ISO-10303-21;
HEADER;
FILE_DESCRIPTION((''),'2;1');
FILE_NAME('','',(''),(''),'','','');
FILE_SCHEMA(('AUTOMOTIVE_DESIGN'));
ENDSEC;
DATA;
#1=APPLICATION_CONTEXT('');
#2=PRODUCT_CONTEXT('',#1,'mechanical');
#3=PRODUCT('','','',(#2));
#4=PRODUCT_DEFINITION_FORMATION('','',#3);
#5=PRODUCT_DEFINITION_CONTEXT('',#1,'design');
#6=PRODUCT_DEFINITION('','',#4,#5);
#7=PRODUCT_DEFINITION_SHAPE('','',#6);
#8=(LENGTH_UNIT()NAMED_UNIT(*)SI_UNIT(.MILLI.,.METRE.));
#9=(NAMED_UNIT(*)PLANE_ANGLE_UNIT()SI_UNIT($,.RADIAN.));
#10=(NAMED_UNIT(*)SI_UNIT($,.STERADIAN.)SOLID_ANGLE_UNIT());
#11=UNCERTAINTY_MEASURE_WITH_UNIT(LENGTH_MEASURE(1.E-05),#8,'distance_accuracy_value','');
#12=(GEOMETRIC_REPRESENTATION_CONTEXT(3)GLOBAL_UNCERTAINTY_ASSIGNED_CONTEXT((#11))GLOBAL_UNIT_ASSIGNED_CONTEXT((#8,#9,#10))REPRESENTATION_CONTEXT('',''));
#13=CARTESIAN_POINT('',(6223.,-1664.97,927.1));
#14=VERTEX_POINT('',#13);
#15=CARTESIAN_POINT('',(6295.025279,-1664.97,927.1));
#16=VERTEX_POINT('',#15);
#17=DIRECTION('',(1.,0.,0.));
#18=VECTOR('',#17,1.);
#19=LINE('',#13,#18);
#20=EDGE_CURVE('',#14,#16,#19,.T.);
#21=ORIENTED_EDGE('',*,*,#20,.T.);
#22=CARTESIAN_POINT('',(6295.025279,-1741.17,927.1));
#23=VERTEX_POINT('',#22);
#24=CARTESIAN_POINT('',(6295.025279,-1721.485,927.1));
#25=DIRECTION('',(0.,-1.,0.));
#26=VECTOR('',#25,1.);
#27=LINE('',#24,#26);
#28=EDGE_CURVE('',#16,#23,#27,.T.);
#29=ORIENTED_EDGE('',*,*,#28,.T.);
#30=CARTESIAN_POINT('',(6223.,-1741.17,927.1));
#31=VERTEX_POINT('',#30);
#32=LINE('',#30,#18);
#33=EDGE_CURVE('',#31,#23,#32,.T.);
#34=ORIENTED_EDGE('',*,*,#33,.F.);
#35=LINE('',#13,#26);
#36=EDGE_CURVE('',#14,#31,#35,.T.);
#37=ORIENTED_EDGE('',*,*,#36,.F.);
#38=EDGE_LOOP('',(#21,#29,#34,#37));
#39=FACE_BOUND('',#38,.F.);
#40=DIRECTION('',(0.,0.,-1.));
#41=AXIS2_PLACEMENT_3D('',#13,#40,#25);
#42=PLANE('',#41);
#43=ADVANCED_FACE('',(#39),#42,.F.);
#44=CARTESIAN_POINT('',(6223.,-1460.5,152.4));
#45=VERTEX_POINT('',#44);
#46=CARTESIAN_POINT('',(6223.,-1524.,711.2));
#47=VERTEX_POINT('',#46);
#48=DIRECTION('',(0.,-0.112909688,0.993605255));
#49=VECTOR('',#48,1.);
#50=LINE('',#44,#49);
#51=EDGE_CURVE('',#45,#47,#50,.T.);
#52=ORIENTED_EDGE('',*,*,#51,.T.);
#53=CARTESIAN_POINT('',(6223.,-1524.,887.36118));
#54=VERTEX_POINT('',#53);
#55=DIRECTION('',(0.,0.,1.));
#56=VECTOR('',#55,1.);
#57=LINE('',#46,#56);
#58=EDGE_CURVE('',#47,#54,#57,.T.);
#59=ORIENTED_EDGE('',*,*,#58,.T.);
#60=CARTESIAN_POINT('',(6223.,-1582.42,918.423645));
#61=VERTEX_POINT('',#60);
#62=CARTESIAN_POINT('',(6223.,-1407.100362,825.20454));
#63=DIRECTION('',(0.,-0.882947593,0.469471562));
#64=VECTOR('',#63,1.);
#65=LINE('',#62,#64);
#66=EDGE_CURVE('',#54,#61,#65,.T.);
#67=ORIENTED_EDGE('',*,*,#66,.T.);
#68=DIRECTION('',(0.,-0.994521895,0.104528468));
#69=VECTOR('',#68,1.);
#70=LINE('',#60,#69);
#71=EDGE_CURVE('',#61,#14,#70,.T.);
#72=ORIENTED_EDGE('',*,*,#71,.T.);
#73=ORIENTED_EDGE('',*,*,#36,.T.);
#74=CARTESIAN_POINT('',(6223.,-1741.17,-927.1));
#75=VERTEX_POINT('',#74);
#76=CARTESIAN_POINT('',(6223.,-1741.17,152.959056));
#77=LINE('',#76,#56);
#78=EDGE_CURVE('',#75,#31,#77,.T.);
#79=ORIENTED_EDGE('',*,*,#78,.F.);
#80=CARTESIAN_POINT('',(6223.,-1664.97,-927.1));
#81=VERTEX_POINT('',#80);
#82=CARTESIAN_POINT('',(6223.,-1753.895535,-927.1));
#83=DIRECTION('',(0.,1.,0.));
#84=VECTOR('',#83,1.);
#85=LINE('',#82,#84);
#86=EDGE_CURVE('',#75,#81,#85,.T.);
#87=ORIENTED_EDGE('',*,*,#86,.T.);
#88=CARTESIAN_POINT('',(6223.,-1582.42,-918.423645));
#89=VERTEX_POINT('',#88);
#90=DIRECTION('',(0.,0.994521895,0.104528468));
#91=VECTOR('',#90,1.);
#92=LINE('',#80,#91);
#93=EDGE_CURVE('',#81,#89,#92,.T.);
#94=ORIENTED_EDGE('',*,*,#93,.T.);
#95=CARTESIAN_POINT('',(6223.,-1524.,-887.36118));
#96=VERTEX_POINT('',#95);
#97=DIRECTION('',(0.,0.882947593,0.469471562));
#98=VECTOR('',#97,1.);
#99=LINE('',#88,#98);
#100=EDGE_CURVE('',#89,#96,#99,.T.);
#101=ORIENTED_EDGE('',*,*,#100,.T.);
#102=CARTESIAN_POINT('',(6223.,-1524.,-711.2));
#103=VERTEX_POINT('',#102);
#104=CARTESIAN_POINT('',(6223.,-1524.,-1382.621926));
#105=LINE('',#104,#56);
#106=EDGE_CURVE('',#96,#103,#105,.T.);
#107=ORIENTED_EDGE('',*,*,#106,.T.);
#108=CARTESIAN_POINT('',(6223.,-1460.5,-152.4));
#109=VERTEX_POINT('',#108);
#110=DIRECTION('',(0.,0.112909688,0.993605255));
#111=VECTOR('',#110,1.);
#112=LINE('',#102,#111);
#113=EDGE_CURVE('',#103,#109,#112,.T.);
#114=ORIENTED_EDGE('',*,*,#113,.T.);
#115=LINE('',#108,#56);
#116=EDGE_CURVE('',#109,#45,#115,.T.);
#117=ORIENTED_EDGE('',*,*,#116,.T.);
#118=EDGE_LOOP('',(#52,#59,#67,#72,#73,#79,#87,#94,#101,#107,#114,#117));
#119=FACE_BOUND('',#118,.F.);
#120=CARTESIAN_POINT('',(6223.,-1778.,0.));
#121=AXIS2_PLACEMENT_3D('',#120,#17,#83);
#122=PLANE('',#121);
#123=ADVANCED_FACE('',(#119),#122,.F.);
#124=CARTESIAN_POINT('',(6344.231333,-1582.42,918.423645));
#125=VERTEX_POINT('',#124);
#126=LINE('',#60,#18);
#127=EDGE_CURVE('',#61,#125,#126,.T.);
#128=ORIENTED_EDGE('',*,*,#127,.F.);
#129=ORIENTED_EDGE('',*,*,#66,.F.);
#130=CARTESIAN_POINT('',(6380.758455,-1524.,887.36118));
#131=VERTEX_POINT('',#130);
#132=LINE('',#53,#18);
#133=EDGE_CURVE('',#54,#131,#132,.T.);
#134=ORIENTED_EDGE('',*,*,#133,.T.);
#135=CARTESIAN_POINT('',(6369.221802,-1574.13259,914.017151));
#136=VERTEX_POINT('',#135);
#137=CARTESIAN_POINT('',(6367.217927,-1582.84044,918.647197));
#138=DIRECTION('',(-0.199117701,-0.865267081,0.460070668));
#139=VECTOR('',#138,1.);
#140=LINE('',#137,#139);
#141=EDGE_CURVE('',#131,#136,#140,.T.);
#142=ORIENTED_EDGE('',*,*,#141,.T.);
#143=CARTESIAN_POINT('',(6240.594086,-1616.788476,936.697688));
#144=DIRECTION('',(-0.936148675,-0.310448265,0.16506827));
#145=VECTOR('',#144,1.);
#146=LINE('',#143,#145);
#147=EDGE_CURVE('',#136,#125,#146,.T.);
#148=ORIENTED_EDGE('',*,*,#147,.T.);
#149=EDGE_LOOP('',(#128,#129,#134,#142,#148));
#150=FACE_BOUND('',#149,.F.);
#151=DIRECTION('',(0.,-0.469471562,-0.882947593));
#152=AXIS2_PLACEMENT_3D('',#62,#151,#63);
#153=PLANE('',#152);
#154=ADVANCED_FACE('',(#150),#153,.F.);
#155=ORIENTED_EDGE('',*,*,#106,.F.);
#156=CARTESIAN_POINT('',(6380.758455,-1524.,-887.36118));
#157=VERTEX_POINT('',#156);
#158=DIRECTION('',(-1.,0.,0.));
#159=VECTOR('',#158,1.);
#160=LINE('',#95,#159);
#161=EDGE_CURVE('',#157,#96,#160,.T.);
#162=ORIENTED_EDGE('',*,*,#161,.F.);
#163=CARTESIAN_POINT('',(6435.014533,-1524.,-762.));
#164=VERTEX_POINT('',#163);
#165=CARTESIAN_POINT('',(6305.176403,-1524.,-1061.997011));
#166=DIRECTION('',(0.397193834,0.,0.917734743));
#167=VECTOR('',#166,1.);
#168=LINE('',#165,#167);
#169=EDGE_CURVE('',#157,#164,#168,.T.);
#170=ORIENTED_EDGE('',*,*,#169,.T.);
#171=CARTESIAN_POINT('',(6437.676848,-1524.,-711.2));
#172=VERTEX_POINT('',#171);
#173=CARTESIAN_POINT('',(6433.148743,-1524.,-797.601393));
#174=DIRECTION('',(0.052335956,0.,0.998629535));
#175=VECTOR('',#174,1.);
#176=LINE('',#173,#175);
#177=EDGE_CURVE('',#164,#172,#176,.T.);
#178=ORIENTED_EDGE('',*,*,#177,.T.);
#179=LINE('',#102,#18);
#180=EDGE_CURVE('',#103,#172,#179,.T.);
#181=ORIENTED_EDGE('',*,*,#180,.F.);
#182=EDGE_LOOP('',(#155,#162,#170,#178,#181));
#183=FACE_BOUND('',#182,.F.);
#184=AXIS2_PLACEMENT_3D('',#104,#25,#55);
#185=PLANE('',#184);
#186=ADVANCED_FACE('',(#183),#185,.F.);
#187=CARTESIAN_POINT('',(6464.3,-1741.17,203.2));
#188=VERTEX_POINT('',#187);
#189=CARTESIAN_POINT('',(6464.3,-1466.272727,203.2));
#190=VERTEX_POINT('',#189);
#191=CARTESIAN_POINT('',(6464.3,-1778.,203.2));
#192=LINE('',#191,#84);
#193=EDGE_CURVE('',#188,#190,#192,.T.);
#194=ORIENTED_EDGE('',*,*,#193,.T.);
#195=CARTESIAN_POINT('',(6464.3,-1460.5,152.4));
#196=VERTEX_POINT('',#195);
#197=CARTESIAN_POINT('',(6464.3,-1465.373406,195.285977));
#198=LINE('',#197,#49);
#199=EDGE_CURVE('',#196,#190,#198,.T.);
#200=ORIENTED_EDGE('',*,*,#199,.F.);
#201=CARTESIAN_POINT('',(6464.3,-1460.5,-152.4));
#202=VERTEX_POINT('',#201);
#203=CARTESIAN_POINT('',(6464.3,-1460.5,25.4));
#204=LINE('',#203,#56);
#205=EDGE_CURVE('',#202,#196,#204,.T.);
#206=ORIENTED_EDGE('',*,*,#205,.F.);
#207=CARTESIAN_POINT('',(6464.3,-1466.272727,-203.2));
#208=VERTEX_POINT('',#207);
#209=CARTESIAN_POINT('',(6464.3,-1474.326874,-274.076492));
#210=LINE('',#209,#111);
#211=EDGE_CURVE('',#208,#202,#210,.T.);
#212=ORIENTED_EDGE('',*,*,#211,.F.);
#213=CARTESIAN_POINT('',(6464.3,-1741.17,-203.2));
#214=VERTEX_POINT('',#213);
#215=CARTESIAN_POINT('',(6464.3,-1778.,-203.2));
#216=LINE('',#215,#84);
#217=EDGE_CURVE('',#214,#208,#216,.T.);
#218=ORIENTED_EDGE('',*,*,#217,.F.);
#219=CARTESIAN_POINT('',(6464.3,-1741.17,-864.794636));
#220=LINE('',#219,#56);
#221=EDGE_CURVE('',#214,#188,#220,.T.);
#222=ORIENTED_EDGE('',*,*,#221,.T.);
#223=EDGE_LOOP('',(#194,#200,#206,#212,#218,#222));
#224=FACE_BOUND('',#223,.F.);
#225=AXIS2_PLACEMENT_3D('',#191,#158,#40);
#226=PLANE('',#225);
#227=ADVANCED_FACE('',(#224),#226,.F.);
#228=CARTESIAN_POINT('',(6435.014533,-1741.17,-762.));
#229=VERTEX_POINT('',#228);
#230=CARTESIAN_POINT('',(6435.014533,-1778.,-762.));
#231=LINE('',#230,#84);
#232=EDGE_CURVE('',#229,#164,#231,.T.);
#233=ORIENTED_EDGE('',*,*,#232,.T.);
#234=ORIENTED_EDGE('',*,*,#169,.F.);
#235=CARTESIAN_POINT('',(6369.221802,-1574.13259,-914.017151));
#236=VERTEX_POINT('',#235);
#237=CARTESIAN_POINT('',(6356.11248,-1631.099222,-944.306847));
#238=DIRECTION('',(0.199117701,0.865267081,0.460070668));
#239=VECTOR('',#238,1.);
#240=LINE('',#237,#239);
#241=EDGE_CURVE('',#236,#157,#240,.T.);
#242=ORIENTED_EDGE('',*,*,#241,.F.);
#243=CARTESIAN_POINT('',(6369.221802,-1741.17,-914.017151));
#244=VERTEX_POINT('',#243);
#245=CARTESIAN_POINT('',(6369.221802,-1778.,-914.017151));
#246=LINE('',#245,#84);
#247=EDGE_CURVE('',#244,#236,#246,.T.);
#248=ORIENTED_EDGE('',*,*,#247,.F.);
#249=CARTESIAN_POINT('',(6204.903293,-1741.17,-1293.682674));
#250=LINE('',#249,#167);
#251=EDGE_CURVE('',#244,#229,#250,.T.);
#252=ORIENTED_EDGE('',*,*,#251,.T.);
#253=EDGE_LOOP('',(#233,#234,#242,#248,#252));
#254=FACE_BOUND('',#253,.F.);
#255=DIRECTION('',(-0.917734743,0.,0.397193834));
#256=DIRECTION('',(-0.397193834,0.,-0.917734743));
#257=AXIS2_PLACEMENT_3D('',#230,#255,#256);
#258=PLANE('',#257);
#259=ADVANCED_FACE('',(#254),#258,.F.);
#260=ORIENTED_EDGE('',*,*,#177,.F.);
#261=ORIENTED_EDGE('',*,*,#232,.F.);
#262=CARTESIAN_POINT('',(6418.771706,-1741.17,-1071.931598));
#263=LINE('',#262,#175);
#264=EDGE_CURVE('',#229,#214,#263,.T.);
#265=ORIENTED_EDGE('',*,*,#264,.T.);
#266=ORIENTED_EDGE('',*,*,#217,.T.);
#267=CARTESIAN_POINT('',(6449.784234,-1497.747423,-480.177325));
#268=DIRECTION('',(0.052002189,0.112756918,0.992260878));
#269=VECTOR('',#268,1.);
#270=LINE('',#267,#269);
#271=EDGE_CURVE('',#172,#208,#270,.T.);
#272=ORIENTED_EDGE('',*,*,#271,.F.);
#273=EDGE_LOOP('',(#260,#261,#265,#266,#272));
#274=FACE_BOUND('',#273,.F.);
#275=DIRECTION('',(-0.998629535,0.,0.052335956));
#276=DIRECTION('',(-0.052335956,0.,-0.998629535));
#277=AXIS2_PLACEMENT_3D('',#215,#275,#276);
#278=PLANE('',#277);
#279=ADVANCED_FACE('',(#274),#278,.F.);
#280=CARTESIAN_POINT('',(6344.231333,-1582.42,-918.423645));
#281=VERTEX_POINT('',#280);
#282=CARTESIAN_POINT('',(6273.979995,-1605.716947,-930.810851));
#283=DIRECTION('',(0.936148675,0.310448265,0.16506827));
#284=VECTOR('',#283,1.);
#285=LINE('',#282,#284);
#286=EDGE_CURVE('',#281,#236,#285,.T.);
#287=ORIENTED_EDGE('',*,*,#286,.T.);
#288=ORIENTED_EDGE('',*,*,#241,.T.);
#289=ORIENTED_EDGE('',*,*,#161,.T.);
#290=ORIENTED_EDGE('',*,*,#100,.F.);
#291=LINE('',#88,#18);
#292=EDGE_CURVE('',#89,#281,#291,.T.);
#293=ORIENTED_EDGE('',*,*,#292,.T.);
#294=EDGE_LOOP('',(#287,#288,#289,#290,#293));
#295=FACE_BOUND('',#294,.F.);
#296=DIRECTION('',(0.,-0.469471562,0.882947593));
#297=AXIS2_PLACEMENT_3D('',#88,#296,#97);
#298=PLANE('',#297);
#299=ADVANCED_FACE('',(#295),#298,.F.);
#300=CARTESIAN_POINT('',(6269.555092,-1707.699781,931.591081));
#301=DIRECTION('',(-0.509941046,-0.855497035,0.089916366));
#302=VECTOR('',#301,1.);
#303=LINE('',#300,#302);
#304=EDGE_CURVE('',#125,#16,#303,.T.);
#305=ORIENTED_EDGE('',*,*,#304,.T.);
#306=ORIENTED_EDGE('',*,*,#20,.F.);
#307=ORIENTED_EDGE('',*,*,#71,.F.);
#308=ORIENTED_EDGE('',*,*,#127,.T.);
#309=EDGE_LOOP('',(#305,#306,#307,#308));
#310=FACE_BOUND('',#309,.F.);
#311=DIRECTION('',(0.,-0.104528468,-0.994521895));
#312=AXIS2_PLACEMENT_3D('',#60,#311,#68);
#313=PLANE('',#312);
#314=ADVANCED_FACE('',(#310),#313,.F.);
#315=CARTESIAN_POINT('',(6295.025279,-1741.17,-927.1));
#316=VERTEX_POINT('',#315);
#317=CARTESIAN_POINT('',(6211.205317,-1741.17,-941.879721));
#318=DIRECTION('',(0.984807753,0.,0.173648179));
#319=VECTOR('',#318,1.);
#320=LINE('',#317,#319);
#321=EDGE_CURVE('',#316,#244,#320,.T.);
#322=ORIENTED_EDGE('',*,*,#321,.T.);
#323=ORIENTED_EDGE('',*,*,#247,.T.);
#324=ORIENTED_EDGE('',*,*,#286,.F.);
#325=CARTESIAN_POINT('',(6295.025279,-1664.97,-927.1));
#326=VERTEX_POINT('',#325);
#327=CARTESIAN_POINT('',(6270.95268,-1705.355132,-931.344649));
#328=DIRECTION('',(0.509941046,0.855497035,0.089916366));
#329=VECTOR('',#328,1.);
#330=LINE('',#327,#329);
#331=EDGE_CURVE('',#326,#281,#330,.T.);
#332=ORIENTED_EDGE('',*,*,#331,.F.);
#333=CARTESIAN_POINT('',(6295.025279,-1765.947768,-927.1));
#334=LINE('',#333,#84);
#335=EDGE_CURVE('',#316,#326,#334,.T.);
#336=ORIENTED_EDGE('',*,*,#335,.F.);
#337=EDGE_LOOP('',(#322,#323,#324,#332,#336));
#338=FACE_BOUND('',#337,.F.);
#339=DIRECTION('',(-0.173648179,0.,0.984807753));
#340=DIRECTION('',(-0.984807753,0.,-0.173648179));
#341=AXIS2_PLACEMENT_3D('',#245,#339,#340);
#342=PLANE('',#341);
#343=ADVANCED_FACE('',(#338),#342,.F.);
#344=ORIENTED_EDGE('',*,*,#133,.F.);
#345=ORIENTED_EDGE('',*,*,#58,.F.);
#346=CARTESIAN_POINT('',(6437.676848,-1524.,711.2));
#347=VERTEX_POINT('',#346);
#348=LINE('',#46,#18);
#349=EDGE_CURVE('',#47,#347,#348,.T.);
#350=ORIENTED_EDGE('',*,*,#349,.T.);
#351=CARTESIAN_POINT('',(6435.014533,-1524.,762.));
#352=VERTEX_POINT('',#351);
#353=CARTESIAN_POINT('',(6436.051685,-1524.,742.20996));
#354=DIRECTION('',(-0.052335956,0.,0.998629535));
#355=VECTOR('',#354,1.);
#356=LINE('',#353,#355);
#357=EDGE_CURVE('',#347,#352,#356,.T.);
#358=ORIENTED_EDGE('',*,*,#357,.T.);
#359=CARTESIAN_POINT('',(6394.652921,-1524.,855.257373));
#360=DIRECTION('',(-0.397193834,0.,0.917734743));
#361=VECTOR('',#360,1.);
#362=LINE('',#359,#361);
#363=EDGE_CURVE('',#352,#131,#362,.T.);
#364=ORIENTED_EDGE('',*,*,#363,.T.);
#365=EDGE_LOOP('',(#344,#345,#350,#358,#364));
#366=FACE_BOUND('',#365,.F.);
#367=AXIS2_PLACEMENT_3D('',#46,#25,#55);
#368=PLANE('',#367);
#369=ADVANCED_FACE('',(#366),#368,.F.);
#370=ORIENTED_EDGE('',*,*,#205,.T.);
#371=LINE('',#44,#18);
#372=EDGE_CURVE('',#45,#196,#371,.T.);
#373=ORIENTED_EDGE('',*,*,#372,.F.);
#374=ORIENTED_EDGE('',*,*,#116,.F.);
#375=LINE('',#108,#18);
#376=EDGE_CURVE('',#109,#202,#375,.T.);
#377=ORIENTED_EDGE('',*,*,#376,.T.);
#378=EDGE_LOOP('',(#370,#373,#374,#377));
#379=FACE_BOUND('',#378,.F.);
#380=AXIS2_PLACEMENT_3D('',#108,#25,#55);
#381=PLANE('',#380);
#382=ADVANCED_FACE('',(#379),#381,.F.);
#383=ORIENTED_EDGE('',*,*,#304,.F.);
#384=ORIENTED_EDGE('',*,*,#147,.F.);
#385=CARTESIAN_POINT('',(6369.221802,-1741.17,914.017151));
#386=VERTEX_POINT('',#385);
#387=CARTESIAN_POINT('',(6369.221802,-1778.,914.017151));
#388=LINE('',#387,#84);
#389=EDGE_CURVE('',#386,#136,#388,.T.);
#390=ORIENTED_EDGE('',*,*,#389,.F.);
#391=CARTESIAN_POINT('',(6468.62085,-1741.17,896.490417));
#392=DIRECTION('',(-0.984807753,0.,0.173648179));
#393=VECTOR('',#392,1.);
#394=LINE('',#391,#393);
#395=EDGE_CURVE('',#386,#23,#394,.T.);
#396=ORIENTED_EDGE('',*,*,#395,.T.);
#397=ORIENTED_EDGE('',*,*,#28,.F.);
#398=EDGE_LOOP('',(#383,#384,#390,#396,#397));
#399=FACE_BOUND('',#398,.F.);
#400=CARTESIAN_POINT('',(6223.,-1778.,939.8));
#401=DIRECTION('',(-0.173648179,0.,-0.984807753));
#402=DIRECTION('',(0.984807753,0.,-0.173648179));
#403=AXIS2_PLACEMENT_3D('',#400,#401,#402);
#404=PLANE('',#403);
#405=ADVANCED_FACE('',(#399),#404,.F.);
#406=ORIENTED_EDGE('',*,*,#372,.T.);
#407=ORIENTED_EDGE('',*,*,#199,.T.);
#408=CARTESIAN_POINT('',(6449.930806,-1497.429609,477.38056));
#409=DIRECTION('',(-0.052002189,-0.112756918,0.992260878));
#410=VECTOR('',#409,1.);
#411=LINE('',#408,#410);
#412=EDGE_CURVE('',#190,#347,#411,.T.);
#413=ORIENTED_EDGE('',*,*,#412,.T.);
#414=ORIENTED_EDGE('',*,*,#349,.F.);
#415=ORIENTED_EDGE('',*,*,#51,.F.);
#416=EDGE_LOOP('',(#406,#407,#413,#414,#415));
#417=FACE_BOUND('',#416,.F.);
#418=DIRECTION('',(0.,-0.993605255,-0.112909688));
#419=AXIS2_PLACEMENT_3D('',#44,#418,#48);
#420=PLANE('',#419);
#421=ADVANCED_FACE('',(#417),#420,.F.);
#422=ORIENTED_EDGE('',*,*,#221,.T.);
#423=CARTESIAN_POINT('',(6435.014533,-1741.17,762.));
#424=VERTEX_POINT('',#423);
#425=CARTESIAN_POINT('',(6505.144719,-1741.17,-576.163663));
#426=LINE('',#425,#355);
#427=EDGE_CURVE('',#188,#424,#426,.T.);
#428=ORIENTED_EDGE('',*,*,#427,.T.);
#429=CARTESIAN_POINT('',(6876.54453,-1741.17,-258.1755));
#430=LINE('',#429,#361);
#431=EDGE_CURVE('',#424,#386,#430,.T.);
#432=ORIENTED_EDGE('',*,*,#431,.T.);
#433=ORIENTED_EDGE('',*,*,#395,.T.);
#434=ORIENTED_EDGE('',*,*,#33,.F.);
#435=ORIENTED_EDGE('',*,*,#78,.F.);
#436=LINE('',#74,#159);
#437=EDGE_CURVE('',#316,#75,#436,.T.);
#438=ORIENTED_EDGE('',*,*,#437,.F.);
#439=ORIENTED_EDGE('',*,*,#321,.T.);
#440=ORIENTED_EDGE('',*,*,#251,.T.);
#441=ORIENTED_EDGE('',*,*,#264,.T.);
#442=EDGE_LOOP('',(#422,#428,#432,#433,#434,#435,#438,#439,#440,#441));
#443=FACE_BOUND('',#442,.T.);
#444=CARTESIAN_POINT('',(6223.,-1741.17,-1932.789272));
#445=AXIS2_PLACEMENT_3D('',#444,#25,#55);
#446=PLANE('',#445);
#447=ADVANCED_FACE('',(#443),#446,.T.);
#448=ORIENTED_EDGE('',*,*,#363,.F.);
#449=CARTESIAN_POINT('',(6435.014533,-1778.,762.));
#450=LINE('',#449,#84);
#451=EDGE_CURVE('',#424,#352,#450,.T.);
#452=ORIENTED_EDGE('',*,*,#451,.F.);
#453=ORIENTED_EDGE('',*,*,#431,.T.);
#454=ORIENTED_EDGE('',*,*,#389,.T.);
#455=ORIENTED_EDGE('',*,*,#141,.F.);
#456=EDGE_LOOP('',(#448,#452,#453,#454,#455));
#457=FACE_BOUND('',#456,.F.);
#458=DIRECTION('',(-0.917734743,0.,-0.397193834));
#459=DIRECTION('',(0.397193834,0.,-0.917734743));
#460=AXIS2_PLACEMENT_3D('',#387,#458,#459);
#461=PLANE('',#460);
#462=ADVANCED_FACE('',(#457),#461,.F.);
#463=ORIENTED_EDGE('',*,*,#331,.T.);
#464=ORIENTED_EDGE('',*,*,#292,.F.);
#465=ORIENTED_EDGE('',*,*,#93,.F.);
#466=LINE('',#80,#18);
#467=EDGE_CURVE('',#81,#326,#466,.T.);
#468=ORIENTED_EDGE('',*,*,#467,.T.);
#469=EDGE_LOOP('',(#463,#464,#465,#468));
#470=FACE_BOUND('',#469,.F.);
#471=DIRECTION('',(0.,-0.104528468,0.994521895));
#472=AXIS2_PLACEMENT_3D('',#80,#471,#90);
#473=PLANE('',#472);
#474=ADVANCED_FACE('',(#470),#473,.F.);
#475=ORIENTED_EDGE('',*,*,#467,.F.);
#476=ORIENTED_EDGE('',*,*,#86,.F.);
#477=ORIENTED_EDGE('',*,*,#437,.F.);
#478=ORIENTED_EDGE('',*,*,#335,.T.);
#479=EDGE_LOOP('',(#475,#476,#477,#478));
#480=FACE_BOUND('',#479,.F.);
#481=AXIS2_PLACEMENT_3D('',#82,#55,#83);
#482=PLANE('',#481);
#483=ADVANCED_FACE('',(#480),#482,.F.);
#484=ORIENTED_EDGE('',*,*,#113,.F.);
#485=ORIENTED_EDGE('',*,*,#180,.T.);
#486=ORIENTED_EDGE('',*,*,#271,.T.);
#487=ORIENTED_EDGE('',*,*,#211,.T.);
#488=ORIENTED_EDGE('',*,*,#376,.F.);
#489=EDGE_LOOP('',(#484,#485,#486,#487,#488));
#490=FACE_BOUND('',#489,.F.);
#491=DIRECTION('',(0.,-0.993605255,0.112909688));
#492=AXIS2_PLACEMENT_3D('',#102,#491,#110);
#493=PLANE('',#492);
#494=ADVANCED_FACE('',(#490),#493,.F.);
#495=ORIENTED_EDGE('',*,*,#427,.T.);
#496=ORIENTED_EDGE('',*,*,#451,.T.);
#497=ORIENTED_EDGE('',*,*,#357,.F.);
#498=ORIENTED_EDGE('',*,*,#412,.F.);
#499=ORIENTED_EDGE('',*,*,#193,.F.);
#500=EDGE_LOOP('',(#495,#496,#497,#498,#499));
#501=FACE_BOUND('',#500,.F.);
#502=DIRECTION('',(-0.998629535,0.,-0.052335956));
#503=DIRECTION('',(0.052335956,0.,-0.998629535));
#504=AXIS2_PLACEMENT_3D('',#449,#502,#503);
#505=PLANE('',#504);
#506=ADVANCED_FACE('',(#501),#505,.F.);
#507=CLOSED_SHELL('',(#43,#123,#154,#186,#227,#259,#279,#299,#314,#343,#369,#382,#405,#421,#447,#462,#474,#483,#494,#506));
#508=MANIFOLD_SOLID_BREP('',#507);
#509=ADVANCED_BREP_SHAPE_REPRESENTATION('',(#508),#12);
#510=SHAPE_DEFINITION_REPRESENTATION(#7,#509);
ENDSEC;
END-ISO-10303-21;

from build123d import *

# Parameters (mm, degrees)
F0_W     = 304.8
F0_H     = 355.6
F1_DEPTH = 952.5
F3_DEPTH = 355.601
F4_W     = 575.44121
F4_H     = 4171.496656
F5_DEPTH = 241.301
F7_DEPTH = 241.301
F9_DEPTH = 241.301


with BuildPart() as f1:
    # F0 (on Top) → F1 (new body, symmetric)
    with BuildSketch(Plane.XY):
        with Locations((6375.4, -1600.2)):
            Rectangle(F0_W, F0_H)
    extrude(amount=F1_DEPTH, both=True)

    # F2 (on face) → F3 (cut, through all)
    with BuildSketch(Plane.XZ.offset(1778)):
        Polygon((6369.221802, 914.017151), (6435.014533, 762), (6464.3, 203.2), (6464.3, 0), (6464.3, -203.2), (6435.014533, -762), (6369.221802, -914.017151), (6223, -939.8), (6223, -1333.5), (8458.2, -1333.5), (8458.2, 1333.5), (6223, 1333.5), (6223, 939.8), align=None)
    extrude(amount=-F3_DEPTH, mode=Mode.SUBTRACT)

    # F4 (on face) → F5 (cut, through all)
    with BuildSketch(Plane(origin=(6223, 0, 0), x_dir=(0, -1, 0), z_dir=(-1, 0, 0))):
        with Locations((2028.890605, 152.959056)):
            Rectangle(F4_W, F4_H)
    extrude(amount=-F5_DEPTH, mode=Mode.SUBTRACT)

    # F6 (on face) → F7 (cut, through all)
    with BuildSketch(Plane(origin=(6223, 0, 0), x_dir=(0, -1, 0), z_dir=(-1, 0, 0))):
        Polygon((1422.4, -939.8), (1422.4, 0), (1422.4, 939.8), (1524, 939.8), (1524, 1382.621926), (624.785322, 1382.621926), (624.785322, -1382.621926), (1524, -1382.621926), (1524, -939.8), align=None)
        Polygon((1460.5, -152.4), (1460.5, 0), (1422.4, 0), (1422.4, -939.8), (1524, -939.8), (1524, -711.2), align=None)
        Polygon((1422.4, 0), (1460.5, 0), (1460.5, 152.4), (1524, 711.2), (1524, 939.8), (1422.4, 939.8), align=None)
    extrude(amount=-F7_DEPTH, mode=Mode.SUBTRACT)

    # F8 (on face) → F9 (cut, through all)
    with BuildSketch(Plane(origin=(6223, 0, 0), x_dir=(0, -1, 0), z_dir=(-1, 0, 0))):
        Polygon((1753.895535, 1074.559246), (1407.100362, 1074.559246), (1407.100362, 825.20454), (1582.42, 918.423645), (1664.97, 927.1), (1753.895535, 927.1), align=None)
        Polygon((1753.895535, -1074.559246), (1753.895535, -927.1), (1664.97, -927.1), (1582.42, -918.423645), (1407.100362, -825.20454), (1407.100362, -1074.559246), align=None)
    extrude(amount=-F9_DEPTH, mode=Mode.SUBTRACT)


solid = f1.part
